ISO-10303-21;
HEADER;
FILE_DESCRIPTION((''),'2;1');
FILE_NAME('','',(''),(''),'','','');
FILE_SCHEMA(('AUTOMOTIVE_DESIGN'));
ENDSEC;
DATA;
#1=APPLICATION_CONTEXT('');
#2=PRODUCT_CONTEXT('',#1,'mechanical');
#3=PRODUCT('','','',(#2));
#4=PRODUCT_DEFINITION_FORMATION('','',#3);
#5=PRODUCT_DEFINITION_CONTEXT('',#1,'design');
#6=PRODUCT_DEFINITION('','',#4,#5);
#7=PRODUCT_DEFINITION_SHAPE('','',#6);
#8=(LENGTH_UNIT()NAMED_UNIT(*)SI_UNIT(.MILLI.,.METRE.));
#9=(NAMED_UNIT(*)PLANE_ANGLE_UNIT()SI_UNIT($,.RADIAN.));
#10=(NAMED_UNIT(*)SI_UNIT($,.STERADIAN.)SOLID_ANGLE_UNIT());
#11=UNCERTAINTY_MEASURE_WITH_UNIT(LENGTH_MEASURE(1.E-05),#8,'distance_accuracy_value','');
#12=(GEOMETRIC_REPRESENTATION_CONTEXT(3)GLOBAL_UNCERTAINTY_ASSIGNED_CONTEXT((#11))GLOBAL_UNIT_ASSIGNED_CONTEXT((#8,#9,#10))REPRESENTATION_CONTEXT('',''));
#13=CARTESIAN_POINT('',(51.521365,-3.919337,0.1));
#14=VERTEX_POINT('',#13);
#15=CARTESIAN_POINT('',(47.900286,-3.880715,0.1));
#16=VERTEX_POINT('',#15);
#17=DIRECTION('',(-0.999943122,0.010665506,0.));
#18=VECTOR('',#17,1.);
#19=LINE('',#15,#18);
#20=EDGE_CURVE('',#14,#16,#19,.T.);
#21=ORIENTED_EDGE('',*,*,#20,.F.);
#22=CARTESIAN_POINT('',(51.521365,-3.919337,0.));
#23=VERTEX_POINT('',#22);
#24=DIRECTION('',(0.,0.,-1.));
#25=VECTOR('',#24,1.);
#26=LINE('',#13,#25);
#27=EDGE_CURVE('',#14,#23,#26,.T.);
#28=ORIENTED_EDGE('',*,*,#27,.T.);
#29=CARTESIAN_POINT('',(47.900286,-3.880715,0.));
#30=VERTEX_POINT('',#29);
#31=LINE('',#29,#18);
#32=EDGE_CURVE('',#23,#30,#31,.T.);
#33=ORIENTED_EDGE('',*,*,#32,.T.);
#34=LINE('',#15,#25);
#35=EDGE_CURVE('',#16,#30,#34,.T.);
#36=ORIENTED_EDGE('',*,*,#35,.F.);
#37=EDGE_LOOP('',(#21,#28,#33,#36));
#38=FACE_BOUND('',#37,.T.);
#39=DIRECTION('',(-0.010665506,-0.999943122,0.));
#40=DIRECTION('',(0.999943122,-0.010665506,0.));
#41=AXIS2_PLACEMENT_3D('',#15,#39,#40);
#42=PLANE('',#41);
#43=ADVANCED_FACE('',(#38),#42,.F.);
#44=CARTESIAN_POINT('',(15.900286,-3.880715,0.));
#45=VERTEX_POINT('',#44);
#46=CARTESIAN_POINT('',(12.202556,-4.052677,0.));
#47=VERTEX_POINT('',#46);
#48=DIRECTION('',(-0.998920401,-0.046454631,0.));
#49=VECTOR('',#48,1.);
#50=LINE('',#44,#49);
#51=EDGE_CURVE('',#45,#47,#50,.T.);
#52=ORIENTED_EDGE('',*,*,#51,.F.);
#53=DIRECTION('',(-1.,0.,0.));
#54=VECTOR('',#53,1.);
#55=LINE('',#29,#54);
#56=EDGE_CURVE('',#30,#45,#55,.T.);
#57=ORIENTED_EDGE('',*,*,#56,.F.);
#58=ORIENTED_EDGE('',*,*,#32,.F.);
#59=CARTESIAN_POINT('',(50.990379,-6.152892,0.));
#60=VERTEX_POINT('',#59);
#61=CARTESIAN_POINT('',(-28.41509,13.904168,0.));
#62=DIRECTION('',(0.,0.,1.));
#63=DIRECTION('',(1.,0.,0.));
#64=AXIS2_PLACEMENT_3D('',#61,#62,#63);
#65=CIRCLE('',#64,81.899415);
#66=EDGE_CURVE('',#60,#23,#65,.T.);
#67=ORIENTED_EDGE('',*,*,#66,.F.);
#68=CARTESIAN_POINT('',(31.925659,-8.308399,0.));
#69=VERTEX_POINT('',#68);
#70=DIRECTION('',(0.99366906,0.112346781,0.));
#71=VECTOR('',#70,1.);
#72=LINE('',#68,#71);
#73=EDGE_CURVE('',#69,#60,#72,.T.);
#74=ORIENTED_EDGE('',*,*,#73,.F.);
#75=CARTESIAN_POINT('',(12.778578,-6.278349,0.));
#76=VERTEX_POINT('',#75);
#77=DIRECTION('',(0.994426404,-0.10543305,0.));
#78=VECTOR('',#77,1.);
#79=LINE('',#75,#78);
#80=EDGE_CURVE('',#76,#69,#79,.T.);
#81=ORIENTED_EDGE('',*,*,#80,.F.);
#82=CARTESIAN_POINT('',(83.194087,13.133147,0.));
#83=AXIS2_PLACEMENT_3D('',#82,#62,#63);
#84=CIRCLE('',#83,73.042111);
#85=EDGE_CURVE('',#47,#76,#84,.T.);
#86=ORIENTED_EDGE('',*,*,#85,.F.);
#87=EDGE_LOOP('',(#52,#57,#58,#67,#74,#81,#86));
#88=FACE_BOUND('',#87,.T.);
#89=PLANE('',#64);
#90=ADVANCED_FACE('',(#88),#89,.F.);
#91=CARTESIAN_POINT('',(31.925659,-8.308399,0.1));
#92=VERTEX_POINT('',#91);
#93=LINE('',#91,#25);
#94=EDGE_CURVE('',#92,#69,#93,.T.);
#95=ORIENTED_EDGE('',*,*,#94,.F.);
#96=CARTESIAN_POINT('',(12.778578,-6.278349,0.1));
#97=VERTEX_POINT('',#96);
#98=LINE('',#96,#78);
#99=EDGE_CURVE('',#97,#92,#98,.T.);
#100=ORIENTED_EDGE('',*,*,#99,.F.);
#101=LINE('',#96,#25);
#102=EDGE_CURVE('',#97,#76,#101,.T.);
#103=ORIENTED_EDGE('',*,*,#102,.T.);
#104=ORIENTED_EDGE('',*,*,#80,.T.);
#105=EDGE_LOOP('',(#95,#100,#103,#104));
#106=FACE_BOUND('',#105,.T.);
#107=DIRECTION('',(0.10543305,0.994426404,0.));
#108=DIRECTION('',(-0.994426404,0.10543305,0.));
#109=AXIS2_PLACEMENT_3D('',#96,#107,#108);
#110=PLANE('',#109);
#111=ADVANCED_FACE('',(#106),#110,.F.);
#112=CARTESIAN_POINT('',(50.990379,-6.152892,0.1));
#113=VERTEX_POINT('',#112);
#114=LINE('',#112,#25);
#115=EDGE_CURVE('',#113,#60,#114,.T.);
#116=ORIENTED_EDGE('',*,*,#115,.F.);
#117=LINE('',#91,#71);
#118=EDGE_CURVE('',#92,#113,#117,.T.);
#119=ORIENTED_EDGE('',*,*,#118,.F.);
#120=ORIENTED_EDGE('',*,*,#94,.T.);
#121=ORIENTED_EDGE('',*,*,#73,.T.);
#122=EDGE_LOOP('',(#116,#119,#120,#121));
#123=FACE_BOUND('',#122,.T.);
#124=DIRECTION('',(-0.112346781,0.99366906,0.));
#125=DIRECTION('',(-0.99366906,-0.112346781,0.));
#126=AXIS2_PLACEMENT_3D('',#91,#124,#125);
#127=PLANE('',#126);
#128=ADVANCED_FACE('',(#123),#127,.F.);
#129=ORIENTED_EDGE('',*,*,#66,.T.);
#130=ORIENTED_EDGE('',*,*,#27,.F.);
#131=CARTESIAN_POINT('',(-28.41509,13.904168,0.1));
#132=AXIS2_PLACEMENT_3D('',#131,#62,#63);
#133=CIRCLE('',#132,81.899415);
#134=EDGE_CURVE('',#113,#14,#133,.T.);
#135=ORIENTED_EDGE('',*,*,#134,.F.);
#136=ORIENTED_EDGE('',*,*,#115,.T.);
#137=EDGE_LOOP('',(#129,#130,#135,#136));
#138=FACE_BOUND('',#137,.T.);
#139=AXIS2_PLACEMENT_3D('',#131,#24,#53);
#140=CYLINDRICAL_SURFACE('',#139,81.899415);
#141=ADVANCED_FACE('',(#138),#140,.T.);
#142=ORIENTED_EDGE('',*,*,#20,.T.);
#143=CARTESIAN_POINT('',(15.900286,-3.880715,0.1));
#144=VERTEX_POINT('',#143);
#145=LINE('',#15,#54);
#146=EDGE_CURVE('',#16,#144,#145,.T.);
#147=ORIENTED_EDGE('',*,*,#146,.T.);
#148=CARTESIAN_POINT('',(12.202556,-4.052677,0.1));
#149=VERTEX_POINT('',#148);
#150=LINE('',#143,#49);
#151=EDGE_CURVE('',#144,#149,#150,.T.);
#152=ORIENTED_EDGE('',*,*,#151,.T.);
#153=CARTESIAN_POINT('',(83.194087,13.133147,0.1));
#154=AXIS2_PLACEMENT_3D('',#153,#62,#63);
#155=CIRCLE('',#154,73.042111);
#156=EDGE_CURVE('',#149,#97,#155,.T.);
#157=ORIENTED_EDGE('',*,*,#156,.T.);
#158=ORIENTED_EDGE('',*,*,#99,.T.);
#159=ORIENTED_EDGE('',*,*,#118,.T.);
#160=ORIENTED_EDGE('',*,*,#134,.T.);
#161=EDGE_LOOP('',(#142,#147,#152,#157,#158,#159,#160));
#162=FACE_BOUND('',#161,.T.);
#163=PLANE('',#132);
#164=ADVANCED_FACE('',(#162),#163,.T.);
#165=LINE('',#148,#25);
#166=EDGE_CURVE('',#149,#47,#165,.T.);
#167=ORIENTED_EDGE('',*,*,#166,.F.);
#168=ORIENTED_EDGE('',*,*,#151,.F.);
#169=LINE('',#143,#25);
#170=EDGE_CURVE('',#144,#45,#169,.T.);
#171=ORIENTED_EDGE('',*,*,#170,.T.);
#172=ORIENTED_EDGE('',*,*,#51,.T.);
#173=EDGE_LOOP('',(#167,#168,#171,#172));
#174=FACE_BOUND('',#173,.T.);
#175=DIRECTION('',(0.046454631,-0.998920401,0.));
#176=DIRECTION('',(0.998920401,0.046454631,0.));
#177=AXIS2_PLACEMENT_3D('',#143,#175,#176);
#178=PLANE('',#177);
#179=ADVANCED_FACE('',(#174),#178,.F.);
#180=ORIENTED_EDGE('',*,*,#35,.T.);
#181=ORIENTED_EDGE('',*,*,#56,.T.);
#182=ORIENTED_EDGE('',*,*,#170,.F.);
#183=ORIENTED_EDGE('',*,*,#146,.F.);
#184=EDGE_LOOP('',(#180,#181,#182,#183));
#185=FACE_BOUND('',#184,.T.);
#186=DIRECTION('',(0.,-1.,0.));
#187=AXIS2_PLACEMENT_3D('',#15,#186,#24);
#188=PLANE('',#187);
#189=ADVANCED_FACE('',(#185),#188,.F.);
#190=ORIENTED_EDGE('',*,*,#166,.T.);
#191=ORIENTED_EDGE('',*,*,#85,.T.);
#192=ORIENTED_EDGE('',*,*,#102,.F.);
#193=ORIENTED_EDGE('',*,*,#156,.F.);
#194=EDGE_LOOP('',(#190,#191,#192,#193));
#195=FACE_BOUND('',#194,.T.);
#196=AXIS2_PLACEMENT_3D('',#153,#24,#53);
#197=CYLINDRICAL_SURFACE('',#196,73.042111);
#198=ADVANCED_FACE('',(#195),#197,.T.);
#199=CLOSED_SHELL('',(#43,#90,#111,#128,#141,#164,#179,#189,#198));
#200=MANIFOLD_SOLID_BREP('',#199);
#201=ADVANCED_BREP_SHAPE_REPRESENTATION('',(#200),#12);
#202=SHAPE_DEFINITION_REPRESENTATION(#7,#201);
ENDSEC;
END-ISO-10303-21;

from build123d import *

# Parameters (mm, degrees)
SALIENTE_EXTRUIR1_DEPTH = 0.1


with BuildPart() as part:
    # Model → Saliente-Extruir1 (new body)
    with BuildSketch(Plane.XY):
        with BuildLine():
            Line((47.900286295, -3.880714535), (15.900286295, -3.880714535))
            Line((15.900286295, -3.880714535), (12.202555869, -4.052676889))
            ThreePointArc((12.202555869, -4.052676889), (12.48180991, -5.167779291), (12.778578315, -6.278348831))
            Line((12.778578315, -6.278348831), (31.925658705, -8.308398583))
            Line((31.925658705, -8.308398583), (50.990379009, -6.152892242))
            ThreePointArc((50.990379009, -6.152892242), (51.263698747, -5.03797547), (51.52136497, -3.919337367))
            Line((51.52136497, -3.919337367), (47.900286295, -3.880714535))
        make_face()
    extrude(amount=SALIENTE_EXTRUIR1_DEPTH)


solid = part.part
